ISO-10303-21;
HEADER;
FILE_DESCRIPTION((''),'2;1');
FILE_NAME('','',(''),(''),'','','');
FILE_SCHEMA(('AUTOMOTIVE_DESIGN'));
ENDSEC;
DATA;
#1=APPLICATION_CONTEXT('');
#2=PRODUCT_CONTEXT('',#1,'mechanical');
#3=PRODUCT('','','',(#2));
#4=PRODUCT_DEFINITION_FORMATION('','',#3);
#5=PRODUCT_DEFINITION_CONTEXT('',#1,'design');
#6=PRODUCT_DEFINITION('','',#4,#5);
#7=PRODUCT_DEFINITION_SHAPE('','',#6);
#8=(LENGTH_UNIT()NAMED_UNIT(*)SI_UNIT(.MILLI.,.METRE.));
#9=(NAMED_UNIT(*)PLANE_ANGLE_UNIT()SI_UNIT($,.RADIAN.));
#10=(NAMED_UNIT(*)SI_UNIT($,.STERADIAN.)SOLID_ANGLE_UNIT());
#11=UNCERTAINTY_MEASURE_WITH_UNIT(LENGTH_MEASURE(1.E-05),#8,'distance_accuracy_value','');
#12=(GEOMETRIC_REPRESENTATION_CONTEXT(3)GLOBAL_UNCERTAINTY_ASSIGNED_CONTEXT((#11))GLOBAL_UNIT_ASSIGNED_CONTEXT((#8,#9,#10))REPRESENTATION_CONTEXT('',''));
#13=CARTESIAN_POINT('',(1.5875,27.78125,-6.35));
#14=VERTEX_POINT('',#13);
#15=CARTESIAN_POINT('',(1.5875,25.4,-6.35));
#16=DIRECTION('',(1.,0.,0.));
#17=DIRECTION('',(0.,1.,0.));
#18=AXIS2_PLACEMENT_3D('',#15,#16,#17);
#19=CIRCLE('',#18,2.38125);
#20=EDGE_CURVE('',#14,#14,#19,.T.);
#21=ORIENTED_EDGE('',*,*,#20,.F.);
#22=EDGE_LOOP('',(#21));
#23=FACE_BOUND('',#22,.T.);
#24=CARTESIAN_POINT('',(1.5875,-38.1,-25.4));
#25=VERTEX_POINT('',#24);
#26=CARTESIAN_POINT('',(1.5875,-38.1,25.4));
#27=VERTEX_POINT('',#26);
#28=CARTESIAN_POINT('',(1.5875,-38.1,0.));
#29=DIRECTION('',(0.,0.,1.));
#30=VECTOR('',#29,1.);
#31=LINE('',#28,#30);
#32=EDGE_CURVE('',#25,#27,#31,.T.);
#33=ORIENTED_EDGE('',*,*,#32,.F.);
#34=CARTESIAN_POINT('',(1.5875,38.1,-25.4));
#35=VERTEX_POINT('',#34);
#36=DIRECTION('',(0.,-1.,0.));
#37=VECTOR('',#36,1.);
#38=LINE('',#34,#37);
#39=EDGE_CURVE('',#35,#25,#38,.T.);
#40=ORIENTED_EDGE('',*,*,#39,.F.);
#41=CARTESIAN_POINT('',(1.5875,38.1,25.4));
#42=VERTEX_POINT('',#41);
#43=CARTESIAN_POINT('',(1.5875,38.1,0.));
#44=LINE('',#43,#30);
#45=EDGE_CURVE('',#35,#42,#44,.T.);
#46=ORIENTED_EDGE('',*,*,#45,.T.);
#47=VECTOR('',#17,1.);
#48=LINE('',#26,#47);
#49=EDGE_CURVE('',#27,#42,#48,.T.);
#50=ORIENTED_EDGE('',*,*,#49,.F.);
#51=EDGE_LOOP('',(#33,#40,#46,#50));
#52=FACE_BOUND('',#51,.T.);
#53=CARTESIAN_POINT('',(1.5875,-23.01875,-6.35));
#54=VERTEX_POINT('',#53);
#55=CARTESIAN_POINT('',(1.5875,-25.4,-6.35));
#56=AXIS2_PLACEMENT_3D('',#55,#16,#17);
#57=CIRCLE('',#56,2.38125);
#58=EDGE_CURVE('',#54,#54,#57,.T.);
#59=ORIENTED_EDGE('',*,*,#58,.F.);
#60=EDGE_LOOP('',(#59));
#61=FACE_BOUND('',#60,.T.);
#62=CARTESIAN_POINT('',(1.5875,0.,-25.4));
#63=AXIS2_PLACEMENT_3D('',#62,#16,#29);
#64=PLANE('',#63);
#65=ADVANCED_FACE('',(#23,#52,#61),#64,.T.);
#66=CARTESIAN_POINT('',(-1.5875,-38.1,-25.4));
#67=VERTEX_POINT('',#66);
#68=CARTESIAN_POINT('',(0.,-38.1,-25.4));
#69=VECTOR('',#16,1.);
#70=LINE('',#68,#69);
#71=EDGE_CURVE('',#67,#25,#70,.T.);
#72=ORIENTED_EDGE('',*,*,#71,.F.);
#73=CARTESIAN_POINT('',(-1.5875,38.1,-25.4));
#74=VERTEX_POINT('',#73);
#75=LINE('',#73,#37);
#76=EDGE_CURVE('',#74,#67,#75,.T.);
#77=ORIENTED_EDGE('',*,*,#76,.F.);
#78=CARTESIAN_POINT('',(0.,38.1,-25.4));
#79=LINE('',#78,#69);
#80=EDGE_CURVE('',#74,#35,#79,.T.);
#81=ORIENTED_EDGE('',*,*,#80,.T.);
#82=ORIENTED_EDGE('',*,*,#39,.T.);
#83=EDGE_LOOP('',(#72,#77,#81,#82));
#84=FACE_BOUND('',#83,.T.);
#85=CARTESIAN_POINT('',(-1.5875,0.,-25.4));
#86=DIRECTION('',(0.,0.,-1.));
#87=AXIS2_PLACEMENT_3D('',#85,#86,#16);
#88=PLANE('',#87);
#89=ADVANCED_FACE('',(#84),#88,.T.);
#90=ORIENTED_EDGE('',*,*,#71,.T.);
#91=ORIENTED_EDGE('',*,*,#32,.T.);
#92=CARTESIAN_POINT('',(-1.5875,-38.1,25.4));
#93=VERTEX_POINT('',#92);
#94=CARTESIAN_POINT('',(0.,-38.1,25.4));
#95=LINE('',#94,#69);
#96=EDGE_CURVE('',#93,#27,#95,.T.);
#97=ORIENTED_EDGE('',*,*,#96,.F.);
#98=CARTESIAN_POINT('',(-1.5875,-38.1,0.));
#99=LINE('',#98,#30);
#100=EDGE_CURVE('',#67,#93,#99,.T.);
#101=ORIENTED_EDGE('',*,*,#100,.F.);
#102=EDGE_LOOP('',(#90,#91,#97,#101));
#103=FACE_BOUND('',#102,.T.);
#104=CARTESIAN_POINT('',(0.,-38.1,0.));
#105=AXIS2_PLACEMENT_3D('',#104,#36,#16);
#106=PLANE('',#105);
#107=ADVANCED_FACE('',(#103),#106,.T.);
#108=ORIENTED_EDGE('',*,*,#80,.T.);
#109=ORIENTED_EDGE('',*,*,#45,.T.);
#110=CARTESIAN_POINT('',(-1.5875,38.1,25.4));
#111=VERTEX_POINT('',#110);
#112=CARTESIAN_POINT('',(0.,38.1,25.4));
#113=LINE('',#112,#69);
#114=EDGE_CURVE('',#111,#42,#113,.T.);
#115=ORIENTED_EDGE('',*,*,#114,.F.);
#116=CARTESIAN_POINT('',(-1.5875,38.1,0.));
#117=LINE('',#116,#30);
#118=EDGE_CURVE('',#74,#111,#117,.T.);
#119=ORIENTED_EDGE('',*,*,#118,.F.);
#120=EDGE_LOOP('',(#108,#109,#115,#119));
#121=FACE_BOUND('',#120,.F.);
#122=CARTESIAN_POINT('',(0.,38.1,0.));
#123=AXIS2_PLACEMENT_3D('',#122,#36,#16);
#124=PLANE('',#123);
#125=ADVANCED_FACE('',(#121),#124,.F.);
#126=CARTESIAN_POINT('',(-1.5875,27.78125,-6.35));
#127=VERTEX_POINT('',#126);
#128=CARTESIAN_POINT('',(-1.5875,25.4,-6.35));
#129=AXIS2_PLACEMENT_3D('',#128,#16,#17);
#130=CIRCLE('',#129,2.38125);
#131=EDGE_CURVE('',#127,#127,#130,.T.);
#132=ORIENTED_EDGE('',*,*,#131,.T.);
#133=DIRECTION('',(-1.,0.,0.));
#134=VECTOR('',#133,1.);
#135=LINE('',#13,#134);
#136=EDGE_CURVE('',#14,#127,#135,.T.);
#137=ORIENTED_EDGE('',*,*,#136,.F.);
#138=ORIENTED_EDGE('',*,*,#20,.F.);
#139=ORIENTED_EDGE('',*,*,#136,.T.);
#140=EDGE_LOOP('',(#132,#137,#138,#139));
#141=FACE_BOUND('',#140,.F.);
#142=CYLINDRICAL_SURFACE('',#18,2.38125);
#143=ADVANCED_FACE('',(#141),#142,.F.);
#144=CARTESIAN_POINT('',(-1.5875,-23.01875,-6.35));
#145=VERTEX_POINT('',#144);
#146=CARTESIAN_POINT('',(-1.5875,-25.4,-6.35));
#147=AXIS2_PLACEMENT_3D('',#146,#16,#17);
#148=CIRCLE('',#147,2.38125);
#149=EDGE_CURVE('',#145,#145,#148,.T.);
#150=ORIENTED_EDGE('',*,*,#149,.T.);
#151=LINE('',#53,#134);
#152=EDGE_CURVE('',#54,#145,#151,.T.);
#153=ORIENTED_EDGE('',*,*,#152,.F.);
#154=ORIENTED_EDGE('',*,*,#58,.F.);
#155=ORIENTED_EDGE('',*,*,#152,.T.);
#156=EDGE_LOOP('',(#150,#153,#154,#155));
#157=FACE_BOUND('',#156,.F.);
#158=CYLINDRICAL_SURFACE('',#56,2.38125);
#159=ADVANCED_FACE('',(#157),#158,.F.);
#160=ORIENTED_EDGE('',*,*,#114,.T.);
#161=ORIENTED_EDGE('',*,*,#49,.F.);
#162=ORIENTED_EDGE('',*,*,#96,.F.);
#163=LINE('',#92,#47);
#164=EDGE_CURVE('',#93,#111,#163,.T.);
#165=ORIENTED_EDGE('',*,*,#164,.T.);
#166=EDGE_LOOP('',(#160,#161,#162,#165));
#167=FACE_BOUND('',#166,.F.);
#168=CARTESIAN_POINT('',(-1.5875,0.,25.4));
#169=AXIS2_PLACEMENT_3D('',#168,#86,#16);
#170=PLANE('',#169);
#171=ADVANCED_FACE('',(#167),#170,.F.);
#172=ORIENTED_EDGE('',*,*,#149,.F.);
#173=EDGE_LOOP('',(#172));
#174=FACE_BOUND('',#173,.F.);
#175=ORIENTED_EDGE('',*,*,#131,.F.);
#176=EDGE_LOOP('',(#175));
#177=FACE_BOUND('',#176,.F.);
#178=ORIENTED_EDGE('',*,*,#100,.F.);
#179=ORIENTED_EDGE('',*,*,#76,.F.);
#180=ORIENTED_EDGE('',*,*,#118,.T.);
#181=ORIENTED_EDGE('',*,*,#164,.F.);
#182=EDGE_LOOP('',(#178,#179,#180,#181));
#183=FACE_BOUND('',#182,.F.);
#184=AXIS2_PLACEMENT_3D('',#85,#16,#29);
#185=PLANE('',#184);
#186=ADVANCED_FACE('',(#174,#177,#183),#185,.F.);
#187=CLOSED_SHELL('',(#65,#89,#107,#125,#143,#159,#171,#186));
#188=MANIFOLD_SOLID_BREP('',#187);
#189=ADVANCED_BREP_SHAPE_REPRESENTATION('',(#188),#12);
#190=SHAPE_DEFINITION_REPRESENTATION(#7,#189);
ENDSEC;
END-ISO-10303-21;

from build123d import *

# Parameters (mm, degrees)
F0_W     = 3.175
F0_H     = 50.8
F1_DEPTH = 38.1
F2_R     = 2.38125
F3_DEPTH = 25.4


with BuildPart() as f1:
    # F0 (on Front) → F1 (new body, symmetric)
    with BuildSketch(Plane.XZ):
        Rectangle(F0_W, F0_H)
    extrude(amount=F1_DEPTH, both=True)

    # F2 (on face) → F3 (cut)
    with BuildSketch(Plane.YZ.offset(1.5875)):
        with Locations((25.4, -6.35)):
            Circle(F2_R)
        with Locations((-25.4, -6.35)):
            Circle(F2_R)
    extrude(amount=-F3_DEPTH, mode=Mode.SUBTRACT)


solid = f1.part
